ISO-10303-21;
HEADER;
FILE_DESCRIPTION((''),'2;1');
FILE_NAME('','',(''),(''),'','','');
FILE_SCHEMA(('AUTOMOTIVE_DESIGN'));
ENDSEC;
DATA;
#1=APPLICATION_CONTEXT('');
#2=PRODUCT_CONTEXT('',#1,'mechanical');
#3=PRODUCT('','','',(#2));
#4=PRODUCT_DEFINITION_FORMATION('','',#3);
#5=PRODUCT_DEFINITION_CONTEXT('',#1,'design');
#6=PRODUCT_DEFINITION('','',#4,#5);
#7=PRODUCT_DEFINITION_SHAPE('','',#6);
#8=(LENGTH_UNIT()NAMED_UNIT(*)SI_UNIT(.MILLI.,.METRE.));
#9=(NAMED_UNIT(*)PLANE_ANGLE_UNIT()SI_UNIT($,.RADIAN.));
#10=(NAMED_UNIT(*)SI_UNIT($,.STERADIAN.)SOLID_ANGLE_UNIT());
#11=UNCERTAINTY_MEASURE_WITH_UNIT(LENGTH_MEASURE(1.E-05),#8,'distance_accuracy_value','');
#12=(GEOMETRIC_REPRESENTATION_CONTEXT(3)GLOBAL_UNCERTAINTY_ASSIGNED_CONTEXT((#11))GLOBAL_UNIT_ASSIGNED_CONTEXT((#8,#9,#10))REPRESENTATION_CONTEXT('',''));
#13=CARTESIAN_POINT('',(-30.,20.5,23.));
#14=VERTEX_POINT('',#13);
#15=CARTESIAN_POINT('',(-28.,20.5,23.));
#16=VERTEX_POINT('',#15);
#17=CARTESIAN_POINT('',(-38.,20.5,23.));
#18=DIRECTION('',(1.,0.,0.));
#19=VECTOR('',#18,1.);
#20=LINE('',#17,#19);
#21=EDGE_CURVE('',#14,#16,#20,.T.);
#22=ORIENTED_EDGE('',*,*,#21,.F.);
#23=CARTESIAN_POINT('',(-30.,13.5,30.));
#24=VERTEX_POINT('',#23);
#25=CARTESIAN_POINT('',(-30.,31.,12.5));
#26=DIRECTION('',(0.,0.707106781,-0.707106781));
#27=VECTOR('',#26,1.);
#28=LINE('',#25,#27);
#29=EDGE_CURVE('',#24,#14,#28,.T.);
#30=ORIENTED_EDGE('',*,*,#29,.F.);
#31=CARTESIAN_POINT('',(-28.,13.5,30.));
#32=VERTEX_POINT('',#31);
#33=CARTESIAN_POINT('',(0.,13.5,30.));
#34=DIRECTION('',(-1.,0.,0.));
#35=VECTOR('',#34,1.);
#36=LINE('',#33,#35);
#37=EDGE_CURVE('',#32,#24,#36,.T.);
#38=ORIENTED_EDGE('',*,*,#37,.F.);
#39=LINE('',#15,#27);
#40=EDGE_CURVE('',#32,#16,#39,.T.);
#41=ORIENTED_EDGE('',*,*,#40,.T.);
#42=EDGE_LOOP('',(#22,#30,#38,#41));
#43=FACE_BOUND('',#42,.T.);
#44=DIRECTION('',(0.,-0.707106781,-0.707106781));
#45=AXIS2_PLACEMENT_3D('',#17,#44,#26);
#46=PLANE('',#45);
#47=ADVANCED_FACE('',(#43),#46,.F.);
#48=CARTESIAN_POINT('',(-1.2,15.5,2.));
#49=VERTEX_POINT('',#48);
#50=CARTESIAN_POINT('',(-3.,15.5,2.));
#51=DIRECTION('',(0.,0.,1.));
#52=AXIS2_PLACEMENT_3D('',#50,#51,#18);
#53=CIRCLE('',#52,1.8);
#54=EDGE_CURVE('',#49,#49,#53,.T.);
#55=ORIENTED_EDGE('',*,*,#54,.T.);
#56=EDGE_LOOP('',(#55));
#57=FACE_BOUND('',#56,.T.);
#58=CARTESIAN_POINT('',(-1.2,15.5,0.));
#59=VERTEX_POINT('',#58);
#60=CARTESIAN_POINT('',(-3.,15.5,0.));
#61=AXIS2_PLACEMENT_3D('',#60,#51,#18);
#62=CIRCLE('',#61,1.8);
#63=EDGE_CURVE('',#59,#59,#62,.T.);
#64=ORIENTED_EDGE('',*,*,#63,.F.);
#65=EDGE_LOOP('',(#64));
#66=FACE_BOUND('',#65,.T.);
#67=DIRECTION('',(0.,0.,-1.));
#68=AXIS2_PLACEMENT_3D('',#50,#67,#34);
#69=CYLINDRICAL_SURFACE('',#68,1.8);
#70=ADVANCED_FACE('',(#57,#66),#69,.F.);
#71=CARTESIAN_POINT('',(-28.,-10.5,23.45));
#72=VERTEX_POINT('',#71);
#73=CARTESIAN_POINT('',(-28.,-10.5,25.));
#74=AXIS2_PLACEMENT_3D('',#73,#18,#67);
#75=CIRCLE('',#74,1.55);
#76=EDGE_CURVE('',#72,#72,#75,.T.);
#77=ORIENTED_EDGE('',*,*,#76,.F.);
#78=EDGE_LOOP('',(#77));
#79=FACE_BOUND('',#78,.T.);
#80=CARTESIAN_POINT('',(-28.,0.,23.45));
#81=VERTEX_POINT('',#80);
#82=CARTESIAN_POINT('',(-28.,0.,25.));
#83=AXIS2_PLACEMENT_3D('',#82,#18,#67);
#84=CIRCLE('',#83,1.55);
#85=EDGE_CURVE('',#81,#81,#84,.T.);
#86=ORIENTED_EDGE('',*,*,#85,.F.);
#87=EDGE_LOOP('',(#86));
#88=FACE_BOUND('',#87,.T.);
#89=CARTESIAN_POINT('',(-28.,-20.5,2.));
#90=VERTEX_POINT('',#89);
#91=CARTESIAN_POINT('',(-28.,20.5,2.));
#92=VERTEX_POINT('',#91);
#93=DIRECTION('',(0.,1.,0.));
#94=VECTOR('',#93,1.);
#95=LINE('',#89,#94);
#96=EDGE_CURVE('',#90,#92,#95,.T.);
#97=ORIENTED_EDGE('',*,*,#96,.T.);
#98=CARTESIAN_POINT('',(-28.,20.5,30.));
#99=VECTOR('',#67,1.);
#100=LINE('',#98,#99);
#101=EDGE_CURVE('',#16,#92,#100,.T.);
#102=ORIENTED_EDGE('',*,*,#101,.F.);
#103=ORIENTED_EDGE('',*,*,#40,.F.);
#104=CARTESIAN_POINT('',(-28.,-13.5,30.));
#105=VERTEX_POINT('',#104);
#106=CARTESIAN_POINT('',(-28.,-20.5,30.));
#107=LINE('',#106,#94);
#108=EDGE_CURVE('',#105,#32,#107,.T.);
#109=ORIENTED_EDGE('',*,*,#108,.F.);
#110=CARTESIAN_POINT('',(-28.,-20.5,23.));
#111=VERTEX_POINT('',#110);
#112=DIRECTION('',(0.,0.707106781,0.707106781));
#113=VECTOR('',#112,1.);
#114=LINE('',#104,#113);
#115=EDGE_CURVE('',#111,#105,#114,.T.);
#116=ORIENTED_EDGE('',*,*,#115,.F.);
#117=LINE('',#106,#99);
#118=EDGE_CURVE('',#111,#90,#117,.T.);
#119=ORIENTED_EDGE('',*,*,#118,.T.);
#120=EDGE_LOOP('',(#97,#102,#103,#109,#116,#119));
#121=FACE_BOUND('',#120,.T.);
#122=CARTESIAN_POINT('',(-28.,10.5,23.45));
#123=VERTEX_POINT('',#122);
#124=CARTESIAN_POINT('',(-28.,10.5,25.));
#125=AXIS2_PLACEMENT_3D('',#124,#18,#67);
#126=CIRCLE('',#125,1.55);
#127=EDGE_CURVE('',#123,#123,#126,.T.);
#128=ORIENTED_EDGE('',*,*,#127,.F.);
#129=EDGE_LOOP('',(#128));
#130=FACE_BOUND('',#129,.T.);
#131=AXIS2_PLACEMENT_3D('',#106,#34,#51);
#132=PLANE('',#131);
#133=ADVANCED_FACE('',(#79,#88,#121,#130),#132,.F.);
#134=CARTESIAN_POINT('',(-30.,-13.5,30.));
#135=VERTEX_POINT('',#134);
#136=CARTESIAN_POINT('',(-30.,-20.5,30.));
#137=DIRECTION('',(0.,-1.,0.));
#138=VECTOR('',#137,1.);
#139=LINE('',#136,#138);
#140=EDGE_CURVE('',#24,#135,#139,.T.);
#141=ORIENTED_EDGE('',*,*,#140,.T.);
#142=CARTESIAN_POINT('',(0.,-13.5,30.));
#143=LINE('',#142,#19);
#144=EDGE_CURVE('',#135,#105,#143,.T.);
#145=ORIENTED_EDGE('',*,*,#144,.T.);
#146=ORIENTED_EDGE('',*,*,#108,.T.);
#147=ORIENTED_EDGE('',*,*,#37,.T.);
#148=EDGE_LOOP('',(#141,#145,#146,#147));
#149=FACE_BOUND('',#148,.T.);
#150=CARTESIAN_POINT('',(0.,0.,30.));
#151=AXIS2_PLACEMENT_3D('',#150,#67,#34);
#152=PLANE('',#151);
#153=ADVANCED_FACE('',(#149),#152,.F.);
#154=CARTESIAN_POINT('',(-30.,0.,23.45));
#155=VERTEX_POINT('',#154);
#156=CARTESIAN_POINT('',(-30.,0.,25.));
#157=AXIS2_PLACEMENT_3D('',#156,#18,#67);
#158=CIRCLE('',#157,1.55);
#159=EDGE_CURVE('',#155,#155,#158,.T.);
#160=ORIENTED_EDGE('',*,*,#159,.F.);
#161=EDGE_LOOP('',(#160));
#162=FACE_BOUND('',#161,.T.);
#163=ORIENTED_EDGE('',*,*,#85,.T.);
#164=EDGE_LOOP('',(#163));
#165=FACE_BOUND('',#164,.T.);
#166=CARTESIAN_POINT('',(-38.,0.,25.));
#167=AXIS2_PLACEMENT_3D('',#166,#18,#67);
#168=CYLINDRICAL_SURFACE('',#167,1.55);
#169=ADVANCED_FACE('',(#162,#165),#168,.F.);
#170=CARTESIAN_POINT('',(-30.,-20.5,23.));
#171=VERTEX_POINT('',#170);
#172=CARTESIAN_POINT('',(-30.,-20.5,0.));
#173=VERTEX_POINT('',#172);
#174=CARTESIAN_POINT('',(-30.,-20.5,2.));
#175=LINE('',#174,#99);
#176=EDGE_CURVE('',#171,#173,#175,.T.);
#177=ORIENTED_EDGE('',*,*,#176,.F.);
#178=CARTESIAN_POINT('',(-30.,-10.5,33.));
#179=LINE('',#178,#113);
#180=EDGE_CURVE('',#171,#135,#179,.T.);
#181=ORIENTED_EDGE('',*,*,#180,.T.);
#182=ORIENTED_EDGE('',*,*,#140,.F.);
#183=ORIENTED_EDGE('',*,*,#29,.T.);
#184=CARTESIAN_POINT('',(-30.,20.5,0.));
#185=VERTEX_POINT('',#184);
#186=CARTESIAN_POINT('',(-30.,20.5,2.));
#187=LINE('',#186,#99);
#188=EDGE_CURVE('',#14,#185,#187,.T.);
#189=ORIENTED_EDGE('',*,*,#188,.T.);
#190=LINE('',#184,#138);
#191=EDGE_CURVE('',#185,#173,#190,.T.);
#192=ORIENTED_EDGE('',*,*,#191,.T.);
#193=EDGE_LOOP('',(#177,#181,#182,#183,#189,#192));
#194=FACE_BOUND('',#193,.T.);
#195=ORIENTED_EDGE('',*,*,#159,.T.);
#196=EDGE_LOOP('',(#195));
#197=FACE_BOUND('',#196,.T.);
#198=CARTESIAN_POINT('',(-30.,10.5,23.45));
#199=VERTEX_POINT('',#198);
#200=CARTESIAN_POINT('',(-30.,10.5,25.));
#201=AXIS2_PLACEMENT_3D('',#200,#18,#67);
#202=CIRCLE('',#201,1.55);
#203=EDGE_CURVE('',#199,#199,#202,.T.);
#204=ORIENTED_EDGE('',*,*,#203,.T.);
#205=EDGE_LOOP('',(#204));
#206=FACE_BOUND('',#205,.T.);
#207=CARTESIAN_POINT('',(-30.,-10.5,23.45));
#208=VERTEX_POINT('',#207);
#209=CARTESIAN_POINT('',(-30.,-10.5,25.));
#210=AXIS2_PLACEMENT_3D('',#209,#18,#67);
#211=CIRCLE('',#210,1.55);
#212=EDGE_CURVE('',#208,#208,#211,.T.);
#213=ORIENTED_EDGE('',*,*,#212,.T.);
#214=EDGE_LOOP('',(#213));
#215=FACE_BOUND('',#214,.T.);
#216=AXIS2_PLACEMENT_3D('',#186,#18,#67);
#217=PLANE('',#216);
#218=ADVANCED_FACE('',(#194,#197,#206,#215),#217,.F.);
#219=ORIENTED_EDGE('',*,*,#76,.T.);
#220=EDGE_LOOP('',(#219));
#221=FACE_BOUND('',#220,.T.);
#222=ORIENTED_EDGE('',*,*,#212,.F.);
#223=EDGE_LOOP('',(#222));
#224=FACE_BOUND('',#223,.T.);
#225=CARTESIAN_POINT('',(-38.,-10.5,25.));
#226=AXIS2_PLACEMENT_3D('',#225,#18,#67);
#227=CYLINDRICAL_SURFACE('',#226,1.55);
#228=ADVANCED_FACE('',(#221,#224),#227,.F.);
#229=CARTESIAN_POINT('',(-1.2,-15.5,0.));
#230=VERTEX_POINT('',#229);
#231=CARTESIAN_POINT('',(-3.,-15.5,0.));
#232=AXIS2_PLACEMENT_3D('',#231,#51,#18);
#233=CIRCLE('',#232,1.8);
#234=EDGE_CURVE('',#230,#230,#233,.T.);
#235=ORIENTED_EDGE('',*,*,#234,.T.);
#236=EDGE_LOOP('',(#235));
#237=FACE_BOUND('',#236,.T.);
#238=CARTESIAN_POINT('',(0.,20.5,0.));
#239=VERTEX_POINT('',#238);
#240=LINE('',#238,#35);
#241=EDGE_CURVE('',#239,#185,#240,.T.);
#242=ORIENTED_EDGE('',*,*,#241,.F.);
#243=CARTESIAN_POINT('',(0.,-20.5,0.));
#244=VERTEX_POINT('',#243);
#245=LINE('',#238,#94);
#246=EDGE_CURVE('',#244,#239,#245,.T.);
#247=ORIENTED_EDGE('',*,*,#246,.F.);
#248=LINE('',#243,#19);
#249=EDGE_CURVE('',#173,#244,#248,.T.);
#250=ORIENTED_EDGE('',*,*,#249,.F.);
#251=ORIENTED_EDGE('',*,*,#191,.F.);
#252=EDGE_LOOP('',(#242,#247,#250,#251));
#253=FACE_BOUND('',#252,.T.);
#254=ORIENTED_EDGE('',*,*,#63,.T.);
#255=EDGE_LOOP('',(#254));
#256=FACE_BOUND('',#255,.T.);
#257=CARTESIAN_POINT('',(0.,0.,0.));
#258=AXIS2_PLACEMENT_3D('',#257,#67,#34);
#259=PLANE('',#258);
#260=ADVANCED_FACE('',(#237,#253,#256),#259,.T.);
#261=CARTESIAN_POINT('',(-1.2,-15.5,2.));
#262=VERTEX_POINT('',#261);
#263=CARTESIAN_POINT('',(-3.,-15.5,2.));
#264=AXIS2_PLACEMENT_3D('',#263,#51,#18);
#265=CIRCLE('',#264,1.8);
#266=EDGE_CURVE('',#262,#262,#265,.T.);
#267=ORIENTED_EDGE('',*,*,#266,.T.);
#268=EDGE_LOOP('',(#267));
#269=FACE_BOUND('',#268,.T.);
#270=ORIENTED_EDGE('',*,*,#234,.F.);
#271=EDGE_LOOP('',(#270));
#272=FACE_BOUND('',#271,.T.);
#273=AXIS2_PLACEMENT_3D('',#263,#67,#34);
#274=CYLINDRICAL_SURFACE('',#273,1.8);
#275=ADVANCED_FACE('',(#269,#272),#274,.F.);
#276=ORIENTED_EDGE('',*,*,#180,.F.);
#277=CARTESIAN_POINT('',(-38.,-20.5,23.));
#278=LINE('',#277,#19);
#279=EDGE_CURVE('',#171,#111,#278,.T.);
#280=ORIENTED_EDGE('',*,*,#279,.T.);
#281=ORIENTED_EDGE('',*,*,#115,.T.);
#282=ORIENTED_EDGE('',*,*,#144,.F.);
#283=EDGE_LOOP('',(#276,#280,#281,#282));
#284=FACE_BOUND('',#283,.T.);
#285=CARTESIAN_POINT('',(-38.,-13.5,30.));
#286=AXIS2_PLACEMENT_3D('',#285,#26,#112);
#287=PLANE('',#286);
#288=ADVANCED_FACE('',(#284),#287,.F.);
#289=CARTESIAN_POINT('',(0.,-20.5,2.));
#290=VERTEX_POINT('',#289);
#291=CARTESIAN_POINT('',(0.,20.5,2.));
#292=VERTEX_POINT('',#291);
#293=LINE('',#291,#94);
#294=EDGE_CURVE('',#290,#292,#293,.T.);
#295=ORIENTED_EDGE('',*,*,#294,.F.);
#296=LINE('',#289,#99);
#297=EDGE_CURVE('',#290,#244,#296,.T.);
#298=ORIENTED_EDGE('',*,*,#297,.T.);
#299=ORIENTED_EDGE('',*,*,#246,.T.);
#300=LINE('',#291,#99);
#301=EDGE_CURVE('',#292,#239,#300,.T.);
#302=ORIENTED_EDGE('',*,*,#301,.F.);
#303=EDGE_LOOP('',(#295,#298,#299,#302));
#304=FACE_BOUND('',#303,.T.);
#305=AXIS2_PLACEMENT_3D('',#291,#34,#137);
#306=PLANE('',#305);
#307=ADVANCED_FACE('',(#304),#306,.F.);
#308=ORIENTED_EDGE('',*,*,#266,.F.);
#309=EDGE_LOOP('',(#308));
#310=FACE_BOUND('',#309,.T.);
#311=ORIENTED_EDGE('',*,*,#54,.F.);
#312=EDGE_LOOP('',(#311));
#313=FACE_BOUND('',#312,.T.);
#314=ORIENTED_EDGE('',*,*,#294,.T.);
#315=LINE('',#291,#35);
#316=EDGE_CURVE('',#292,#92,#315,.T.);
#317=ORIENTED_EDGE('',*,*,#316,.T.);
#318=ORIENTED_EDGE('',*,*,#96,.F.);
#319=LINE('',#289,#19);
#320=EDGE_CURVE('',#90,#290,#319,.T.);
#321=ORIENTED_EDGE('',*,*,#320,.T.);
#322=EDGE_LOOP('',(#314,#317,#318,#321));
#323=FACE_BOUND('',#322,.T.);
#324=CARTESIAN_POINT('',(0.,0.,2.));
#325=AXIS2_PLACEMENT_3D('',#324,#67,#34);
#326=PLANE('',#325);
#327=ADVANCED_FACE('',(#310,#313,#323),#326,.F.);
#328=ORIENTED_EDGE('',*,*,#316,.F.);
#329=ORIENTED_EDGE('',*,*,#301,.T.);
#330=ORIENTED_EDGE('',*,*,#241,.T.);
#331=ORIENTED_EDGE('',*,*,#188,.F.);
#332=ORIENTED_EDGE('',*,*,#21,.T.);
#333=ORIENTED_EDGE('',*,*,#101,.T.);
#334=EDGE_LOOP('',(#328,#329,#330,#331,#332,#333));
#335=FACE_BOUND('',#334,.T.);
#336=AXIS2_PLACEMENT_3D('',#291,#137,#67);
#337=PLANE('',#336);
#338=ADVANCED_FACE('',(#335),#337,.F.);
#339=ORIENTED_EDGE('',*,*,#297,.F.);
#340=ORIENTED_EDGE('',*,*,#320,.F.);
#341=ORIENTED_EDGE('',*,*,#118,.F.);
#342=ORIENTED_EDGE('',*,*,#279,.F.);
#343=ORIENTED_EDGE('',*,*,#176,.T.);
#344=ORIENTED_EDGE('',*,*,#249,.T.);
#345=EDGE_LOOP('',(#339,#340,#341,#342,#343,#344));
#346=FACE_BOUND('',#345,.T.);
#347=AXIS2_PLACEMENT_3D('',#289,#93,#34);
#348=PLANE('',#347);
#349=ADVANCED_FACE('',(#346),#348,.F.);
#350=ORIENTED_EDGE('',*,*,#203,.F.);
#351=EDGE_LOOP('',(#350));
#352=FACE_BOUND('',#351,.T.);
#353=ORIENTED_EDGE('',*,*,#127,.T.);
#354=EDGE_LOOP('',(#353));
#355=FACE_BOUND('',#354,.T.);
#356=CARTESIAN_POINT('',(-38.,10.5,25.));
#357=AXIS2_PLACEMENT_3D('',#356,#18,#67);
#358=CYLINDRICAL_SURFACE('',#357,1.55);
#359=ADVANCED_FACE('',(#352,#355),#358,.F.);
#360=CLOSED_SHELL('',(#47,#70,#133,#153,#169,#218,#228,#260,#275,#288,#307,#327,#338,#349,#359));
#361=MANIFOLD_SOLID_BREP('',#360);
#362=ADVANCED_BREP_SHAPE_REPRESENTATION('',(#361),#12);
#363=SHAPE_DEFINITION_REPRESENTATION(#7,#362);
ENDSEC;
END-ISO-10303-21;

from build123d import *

# Parameters (mm, degrees)
SKETCH1_W           = 30
SKETCH1_H           = 41
SKETCH1_R           = 1.8
BOSS_EXTRUDE1_DEPTH = 2
SKETCH2_W           = 2
SKETCH2_H           = 41
BOSS_EXTRUDE2_DEPTH = 28
SKETCH3_R           = 1.55
CUT_EXTRUDE1_DEPTH  = 10


with BuildPart() as part:
    # Sketch1 → Boss-Extrude1 (new body)
    with BuildSketch(Plane.XY):
        with Locations((-15, 0)):
            Rectangle(SKETCH1_W, SKETCH1_H)
        with Locations((-3, 15.5)):
            Circle(SKETCH1_R, mode=Mode.SUBTRACT)
        with Locations((-3, -15.5)):
            Circle(SKETCH1_R, mode=Mode.SUBTRACT)
    extrude(amount=BOSS_EXTRUDE1_DEPTH)

    # Sketch2 → Boss-Extrude2 (add)
    with BuildSketch(Plane.XY.offset(2)):
        with Locations((-29, 0)):
            Rectangle(SKETCH2_W, SKETCH2_H)
    extrude(amount=BOSS_EXTRUDE2_DEPTH)

    # Sketch3 → Cut-Extrude1 (cut)
    with BuildSketch(Plane(origin=(-28, 0, 0), x_dir=(0, 0, -1), z_dir=(1, 0, 0))):
        with Locations((-25, 10.5)):
            Circle(SKETCH3_R)
        with Locations((-25, -10.5)):
            Circle(SKETCH3_R)
        with Locations((-25, 0)):
            Circle(SKETCH3_R)
        Polygon((-30, -13.5), (-23, -20.5), (-30, -20.5), align=None)
        Polygon((-30, 13.5), (-30, 20.5), (-23, 20.5), align=None)
    extrude(amount=-CUT_EXTRUDE1_DEPTH, mode=Mode.SUBTRACT)


solid = part.part
